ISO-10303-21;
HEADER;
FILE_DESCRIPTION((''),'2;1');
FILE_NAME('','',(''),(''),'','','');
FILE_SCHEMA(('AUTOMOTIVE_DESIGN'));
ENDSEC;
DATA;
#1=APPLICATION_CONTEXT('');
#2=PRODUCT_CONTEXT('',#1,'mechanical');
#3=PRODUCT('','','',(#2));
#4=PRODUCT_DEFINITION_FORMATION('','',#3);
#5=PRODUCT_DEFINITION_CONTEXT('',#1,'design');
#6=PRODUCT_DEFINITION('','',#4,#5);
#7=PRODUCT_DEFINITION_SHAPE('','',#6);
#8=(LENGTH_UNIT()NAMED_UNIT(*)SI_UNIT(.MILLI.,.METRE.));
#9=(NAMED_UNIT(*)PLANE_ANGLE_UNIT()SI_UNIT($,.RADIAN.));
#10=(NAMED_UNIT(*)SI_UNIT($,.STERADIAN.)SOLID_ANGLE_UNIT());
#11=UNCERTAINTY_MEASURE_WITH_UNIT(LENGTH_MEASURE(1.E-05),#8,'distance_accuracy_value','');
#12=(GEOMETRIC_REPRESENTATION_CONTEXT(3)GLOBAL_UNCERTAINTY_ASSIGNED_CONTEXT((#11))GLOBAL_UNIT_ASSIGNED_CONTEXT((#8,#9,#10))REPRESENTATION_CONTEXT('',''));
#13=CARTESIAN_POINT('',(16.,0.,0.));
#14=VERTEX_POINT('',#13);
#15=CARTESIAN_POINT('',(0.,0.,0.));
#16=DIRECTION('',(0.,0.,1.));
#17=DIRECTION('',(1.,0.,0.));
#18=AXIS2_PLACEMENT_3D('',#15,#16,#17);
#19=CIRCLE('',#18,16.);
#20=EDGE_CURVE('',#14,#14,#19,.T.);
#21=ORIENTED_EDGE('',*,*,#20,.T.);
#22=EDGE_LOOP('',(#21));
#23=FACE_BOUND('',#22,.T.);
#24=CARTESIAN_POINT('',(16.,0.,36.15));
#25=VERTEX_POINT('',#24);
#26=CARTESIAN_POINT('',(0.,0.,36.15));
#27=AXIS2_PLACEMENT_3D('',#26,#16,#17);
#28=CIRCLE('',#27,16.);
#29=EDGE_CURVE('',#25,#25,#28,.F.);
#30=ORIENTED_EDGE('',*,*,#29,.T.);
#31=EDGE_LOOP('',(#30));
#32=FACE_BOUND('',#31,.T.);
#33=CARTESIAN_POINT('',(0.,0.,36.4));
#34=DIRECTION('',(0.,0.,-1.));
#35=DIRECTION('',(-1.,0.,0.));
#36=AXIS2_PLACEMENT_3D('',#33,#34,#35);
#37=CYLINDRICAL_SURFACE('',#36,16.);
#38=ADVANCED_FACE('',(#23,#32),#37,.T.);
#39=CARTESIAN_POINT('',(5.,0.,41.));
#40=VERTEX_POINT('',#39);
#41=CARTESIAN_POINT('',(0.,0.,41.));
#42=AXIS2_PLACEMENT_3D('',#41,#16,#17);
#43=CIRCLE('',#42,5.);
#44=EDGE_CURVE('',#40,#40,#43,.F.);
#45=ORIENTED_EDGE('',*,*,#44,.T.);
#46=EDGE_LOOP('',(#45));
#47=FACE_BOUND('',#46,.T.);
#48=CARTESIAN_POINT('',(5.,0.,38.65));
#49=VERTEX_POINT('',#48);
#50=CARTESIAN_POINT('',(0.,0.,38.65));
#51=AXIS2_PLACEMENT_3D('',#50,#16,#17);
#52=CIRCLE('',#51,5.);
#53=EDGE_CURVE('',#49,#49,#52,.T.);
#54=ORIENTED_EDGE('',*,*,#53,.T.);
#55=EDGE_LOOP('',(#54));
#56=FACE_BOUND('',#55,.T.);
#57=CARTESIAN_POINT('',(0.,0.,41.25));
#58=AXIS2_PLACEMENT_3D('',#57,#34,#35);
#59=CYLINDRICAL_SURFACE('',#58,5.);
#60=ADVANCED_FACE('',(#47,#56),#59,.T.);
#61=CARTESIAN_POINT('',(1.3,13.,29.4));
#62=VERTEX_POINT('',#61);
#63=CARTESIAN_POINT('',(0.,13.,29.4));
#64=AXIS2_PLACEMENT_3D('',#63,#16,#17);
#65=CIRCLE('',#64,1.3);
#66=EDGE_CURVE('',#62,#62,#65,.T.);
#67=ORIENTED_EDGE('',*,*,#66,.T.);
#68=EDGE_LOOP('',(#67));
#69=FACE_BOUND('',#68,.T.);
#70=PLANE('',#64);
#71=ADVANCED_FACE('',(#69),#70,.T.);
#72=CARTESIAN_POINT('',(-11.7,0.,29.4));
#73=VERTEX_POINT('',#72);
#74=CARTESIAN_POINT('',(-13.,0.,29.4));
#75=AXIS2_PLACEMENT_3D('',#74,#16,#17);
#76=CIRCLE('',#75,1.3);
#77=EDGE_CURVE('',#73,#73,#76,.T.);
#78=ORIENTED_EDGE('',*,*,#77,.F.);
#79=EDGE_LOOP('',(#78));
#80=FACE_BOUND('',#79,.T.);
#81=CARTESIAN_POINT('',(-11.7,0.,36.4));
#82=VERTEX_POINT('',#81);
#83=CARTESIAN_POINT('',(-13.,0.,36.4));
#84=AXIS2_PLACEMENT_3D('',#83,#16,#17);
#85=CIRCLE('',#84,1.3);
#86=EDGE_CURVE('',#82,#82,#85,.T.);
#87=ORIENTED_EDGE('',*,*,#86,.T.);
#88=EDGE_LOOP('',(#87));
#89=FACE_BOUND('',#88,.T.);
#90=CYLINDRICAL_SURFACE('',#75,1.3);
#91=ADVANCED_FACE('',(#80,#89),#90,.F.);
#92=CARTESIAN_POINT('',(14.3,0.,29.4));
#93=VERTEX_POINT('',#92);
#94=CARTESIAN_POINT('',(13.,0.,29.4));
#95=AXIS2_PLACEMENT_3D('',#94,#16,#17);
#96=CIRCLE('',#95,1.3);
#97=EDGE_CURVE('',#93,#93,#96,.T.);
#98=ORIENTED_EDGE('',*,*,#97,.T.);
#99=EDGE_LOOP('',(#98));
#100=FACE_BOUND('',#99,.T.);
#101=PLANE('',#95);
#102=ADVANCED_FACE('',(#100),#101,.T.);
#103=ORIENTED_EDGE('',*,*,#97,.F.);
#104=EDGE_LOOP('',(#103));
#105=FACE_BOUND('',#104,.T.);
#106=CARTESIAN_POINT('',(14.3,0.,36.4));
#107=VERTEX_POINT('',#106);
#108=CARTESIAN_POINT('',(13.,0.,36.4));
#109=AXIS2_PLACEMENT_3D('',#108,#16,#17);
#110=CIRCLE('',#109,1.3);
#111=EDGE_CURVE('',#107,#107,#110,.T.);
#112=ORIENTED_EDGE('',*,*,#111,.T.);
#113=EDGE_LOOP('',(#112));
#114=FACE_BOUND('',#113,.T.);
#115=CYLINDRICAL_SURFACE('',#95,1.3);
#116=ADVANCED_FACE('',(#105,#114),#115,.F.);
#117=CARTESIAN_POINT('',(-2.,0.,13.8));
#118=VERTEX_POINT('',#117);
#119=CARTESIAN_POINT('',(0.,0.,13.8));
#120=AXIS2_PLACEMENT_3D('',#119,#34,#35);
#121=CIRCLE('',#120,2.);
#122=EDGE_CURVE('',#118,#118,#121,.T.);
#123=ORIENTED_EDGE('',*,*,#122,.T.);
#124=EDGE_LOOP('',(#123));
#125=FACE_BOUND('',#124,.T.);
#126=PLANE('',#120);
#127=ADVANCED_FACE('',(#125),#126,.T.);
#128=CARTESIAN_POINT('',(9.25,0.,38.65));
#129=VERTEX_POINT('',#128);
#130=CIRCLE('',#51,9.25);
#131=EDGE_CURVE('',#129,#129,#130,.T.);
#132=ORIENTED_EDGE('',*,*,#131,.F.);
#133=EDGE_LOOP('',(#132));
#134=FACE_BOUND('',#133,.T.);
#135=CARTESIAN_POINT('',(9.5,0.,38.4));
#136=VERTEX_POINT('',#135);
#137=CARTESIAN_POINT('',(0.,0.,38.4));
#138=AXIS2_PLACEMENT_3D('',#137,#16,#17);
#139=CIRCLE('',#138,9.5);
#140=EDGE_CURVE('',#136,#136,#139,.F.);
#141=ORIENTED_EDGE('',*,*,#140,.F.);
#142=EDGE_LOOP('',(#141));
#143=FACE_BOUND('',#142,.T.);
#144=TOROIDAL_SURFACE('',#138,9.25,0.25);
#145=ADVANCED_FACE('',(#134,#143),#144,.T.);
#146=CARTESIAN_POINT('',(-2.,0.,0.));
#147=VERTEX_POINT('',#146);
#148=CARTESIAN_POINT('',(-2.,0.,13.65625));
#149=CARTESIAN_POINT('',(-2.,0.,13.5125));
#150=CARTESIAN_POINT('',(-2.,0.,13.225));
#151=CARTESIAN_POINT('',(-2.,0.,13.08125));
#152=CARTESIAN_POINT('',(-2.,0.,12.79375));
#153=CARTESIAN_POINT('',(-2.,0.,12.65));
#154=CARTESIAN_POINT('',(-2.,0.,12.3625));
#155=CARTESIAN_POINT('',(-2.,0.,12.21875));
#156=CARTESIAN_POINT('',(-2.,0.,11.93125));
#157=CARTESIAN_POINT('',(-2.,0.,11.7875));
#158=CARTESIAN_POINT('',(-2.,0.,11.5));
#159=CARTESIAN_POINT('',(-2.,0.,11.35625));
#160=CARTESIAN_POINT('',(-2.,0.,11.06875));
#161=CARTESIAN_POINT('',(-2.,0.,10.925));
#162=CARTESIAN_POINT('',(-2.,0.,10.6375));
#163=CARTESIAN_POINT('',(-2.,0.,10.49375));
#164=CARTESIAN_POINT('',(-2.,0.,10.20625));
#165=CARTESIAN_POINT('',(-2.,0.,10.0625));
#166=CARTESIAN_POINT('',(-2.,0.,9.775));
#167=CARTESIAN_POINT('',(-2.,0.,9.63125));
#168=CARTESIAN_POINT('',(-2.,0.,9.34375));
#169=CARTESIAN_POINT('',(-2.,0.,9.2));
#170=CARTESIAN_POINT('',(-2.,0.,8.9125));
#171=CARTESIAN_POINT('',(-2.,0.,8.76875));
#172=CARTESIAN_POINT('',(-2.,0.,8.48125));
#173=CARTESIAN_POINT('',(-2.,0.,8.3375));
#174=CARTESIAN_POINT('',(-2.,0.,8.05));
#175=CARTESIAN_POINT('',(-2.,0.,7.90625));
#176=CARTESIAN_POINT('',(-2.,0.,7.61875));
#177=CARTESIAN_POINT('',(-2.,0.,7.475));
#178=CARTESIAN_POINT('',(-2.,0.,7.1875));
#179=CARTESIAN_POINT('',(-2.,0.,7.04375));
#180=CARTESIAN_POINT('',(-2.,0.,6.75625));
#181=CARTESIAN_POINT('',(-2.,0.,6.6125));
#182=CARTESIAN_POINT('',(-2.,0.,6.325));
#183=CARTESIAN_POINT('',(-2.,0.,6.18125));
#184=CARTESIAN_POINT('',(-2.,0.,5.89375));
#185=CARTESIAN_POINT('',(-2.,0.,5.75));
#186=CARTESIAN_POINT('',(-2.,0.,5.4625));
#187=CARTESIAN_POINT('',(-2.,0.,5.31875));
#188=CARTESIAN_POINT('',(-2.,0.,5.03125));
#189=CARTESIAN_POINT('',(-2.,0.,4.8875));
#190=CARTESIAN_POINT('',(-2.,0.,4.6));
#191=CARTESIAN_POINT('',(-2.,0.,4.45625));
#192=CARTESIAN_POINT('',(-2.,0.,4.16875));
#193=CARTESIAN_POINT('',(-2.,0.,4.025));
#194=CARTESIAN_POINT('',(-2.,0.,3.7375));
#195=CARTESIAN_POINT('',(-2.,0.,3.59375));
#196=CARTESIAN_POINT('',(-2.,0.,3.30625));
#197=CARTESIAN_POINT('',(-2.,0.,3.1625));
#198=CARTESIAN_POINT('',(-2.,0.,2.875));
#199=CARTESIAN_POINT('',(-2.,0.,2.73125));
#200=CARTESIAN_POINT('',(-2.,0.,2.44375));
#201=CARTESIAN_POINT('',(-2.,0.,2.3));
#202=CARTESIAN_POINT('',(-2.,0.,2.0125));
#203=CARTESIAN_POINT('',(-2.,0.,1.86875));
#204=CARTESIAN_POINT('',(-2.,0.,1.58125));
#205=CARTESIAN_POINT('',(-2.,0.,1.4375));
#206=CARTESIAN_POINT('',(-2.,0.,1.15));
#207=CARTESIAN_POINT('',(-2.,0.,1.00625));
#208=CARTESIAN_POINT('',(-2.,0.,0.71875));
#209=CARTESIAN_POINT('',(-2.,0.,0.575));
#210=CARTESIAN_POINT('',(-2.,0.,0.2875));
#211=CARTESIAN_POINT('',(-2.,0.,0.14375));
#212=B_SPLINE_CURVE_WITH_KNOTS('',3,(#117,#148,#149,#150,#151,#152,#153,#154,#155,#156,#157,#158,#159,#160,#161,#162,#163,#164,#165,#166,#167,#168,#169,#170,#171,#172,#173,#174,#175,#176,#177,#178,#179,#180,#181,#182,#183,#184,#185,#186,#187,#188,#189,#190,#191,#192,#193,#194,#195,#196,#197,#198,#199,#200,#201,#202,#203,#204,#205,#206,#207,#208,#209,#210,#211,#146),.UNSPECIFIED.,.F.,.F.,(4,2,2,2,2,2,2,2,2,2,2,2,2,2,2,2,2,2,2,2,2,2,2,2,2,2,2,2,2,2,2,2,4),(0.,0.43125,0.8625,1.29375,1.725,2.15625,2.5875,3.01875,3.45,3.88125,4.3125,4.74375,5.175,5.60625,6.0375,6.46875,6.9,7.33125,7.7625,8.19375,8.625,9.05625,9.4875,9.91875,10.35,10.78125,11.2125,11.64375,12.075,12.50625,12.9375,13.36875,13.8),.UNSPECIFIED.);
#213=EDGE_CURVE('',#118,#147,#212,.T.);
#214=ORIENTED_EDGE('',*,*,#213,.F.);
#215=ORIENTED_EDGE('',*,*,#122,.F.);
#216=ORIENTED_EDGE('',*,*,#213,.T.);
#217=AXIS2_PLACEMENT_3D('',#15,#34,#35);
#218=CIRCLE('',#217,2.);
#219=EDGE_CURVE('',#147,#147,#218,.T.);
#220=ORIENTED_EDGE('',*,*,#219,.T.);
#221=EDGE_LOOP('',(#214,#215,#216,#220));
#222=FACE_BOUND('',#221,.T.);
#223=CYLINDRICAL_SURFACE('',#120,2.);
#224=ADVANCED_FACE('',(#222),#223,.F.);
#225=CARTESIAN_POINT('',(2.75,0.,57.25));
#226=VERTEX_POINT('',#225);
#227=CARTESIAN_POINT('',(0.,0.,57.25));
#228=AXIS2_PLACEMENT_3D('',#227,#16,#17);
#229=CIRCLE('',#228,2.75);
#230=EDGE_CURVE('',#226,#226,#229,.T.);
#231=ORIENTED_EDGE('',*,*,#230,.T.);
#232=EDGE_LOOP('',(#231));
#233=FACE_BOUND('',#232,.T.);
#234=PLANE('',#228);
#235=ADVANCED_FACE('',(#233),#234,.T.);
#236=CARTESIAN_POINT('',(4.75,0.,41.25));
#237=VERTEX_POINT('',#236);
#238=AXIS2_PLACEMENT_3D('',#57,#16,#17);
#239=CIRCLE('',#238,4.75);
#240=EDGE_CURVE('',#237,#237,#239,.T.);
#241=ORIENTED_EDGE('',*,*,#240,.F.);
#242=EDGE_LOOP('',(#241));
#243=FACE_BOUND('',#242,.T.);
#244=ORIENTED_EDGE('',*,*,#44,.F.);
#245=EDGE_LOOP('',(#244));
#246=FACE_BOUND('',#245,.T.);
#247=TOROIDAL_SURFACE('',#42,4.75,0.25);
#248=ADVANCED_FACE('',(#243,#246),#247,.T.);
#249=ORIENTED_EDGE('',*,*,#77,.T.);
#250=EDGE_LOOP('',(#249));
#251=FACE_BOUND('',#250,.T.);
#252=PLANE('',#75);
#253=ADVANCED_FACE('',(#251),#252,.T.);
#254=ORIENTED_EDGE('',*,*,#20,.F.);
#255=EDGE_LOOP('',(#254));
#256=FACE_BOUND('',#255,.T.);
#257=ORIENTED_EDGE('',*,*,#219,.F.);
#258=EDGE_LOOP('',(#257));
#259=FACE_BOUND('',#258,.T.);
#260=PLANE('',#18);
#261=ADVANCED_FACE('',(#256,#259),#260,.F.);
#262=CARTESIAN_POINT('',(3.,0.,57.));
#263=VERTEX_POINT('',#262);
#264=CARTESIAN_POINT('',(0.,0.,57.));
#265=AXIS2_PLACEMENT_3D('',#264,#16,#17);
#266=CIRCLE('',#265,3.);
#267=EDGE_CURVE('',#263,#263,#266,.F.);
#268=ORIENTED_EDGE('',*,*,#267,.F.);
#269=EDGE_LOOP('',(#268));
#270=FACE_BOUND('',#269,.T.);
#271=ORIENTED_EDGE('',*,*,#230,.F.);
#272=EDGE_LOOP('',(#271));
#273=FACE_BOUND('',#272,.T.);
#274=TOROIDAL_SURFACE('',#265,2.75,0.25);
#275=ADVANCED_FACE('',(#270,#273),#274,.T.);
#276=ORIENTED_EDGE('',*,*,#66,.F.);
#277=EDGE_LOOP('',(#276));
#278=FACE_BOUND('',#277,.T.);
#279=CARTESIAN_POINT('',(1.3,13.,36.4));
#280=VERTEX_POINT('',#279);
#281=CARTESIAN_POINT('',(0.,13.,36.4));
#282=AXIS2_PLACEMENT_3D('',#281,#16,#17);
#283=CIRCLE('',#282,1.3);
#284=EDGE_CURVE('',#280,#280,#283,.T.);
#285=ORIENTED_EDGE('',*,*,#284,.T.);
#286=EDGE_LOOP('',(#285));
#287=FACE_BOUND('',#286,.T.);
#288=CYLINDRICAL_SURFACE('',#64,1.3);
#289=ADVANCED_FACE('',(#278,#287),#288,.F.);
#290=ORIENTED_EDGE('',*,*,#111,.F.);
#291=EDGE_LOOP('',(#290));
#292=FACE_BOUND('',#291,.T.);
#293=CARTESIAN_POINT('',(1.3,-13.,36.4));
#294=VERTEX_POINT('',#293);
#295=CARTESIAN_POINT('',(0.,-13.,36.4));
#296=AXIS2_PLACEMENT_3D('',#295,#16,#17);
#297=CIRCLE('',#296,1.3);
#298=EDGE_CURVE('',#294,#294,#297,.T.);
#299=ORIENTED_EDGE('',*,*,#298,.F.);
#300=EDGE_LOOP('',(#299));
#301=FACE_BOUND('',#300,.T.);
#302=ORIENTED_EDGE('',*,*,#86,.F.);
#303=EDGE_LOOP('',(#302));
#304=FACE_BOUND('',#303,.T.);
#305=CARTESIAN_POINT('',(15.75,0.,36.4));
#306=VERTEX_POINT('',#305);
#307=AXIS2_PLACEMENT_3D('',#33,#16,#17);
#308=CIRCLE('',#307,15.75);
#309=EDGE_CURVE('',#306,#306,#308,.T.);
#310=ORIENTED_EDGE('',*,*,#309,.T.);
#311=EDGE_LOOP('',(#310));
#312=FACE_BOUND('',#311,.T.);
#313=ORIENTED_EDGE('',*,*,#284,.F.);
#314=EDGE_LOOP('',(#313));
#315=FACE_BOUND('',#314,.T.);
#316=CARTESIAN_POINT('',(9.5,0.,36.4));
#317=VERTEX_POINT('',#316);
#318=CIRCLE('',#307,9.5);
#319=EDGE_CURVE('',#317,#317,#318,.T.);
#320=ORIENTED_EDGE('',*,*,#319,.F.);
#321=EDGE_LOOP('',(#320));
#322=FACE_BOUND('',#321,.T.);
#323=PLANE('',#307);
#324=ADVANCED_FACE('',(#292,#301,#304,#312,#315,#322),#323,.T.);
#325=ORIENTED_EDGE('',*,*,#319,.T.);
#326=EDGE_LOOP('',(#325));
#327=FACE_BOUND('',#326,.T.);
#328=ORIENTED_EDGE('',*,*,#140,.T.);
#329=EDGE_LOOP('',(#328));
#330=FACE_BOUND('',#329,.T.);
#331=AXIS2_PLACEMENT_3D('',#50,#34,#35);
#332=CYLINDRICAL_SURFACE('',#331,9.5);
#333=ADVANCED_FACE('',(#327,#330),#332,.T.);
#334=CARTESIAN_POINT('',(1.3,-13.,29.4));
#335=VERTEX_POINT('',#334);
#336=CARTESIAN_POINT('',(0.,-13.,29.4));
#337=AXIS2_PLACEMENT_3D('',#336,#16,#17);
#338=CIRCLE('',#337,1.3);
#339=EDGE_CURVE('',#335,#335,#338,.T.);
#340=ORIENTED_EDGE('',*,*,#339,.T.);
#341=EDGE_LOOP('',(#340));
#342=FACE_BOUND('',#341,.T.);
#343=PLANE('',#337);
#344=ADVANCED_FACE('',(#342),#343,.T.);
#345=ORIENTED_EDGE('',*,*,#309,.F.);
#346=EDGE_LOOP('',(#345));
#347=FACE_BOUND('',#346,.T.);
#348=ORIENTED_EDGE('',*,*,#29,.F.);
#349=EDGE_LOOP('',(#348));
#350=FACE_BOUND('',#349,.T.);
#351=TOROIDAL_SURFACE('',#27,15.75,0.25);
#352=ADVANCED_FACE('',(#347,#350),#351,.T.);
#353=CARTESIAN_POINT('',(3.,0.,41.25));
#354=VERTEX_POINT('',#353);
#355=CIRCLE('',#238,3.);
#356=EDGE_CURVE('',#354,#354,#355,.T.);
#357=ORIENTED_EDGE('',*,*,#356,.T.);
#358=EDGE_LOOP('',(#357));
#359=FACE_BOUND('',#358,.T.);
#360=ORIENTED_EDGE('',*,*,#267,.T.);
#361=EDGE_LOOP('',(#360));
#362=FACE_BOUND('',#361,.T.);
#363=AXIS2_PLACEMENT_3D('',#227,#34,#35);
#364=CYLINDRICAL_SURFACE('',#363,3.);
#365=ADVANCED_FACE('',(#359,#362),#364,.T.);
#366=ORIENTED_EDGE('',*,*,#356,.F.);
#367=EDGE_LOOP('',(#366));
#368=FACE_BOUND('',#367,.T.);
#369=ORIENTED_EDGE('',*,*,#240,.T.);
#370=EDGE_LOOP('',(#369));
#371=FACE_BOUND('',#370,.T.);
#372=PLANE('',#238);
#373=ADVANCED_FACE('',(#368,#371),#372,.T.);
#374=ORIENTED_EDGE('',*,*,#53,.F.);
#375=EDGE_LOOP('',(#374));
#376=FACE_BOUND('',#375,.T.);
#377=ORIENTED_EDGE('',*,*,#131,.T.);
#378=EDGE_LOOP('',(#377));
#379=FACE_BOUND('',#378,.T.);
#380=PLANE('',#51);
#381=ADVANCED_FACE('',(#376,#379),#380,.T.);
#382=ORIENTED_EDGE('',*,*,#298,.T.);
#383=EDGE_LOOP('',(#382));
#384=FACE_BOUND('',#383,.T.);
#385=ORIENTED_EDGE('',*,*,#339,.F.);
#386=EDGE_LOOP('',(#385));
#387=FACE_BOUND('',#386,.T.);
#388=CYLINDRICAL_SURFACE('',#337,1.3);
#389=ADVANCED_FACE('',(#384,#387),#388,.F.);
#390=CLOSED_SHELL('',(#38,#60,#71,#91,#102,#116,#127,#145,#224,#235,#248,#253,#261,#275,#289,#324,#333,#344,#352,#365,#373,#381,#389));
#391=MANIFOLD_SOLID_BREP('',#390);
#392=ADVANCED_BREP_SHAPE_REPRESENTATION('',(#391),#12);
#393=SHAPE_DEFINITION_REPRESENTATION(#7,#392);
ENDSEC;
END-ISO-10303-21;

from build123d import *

# Parameters (mm, degrees)
ESQUISSE1_R             = 16
BOSS_EXTRU_1_DEPTH      = 36.4
ESQUISSE2_R             = 9.5
BOSS_EXTRU_2_DEPTH      = 2.25
ESQUISSE3_R             = 5
BOSS_EXTRU_3_DEPTH      = 2.6
ESQUISSE4_R             = 3
BOSS_EXTRU_4_DEPTH      = 16
CONG_1_R                = 0.25
ESQUISSE6_R             = 1.3
ENL_V_MAT_EXTRU_1_DEPTH = 7
ESQUISSE7_R             = 2
ENL_V_MAT_EXTRU_2_DEPTH = 13.8


with BuildPart() as part:
    # Esquisse1 → Boss.-Extru.1 (new body)
    with BuildSketch(Plane.XY):
        Circle(ESQUISSE1_R)
    extrude(amount=BOSS_EXTRU_1_DEPTH)

    # Esquisse2 → Boss.-Extru.2 (add)
    with BuildSketch(Plane.XY.offset(36.4)):
        Circle(ESQUISSE2_R)
    extrude(amount=BOSS_EXTRU_2_DEPTH)

    # Esquisse3 → Boss.-Extru.3 (add)
    with BuildSketch(Plane.XY.offset(38.65)):
        Circle(ESQUISSE3_R)
    extrude(amount=BOSS_EXTRU_3_DEPTH)

    # Esquisse4 → Boss.-Extru.4 (add)
    with BuildSketch(Plane.XY.offset(41.25)):
        Circle(ESQUISSE4_R)
    extrude(amount=BOSS_EXTRU_4_DEPTH)

    # Congé1
    cong_1_edges = [part.edges().sort_by_distance(p)[0] for p in [
        (-5, 0, 41.25),
        (-3, 0, 57.25),
        (-16, 0, 36.4),
        (-9.5, 0, 38.65),
    ]]
    fillet(cong_1_edges, radius=CONG_1_R)

    # Esquisse6 → Enlèv. mat.-Extru.1 (cut)
    with BuildSketch(Plane.XY.offset(36.4)):
        with Locations((0, 13)):
            Circle(ESQUISSE6_R)
        with Locations((-13, 0)):
            Circle(ESQUISSE6_R)
        with Locations((13, 0)):
            Circle(ESQUISSE6_R)
        with Locations((0, -13)):
            Circle(ESQUISSE6_R)
    extrude(amount=-ENL_V_MAT_EXTRU_1_DEPTH, mode=Mode.SUBTRACT)

    # Esquisse7 → Enlèv. mat.-Extru.2 (cut)
    with BuildSketch(Plane(origin=(0, 0, 0), x_dir=(-1, 0, 0), z_dir=(0, 0, -1))):
        Circle(ESQUISSE7_R)
    extrude(amount=-ENL_V_MAT_EXTRU_2_DEPTH, mode=Mode.SUBTRACT)


solid = part.part
